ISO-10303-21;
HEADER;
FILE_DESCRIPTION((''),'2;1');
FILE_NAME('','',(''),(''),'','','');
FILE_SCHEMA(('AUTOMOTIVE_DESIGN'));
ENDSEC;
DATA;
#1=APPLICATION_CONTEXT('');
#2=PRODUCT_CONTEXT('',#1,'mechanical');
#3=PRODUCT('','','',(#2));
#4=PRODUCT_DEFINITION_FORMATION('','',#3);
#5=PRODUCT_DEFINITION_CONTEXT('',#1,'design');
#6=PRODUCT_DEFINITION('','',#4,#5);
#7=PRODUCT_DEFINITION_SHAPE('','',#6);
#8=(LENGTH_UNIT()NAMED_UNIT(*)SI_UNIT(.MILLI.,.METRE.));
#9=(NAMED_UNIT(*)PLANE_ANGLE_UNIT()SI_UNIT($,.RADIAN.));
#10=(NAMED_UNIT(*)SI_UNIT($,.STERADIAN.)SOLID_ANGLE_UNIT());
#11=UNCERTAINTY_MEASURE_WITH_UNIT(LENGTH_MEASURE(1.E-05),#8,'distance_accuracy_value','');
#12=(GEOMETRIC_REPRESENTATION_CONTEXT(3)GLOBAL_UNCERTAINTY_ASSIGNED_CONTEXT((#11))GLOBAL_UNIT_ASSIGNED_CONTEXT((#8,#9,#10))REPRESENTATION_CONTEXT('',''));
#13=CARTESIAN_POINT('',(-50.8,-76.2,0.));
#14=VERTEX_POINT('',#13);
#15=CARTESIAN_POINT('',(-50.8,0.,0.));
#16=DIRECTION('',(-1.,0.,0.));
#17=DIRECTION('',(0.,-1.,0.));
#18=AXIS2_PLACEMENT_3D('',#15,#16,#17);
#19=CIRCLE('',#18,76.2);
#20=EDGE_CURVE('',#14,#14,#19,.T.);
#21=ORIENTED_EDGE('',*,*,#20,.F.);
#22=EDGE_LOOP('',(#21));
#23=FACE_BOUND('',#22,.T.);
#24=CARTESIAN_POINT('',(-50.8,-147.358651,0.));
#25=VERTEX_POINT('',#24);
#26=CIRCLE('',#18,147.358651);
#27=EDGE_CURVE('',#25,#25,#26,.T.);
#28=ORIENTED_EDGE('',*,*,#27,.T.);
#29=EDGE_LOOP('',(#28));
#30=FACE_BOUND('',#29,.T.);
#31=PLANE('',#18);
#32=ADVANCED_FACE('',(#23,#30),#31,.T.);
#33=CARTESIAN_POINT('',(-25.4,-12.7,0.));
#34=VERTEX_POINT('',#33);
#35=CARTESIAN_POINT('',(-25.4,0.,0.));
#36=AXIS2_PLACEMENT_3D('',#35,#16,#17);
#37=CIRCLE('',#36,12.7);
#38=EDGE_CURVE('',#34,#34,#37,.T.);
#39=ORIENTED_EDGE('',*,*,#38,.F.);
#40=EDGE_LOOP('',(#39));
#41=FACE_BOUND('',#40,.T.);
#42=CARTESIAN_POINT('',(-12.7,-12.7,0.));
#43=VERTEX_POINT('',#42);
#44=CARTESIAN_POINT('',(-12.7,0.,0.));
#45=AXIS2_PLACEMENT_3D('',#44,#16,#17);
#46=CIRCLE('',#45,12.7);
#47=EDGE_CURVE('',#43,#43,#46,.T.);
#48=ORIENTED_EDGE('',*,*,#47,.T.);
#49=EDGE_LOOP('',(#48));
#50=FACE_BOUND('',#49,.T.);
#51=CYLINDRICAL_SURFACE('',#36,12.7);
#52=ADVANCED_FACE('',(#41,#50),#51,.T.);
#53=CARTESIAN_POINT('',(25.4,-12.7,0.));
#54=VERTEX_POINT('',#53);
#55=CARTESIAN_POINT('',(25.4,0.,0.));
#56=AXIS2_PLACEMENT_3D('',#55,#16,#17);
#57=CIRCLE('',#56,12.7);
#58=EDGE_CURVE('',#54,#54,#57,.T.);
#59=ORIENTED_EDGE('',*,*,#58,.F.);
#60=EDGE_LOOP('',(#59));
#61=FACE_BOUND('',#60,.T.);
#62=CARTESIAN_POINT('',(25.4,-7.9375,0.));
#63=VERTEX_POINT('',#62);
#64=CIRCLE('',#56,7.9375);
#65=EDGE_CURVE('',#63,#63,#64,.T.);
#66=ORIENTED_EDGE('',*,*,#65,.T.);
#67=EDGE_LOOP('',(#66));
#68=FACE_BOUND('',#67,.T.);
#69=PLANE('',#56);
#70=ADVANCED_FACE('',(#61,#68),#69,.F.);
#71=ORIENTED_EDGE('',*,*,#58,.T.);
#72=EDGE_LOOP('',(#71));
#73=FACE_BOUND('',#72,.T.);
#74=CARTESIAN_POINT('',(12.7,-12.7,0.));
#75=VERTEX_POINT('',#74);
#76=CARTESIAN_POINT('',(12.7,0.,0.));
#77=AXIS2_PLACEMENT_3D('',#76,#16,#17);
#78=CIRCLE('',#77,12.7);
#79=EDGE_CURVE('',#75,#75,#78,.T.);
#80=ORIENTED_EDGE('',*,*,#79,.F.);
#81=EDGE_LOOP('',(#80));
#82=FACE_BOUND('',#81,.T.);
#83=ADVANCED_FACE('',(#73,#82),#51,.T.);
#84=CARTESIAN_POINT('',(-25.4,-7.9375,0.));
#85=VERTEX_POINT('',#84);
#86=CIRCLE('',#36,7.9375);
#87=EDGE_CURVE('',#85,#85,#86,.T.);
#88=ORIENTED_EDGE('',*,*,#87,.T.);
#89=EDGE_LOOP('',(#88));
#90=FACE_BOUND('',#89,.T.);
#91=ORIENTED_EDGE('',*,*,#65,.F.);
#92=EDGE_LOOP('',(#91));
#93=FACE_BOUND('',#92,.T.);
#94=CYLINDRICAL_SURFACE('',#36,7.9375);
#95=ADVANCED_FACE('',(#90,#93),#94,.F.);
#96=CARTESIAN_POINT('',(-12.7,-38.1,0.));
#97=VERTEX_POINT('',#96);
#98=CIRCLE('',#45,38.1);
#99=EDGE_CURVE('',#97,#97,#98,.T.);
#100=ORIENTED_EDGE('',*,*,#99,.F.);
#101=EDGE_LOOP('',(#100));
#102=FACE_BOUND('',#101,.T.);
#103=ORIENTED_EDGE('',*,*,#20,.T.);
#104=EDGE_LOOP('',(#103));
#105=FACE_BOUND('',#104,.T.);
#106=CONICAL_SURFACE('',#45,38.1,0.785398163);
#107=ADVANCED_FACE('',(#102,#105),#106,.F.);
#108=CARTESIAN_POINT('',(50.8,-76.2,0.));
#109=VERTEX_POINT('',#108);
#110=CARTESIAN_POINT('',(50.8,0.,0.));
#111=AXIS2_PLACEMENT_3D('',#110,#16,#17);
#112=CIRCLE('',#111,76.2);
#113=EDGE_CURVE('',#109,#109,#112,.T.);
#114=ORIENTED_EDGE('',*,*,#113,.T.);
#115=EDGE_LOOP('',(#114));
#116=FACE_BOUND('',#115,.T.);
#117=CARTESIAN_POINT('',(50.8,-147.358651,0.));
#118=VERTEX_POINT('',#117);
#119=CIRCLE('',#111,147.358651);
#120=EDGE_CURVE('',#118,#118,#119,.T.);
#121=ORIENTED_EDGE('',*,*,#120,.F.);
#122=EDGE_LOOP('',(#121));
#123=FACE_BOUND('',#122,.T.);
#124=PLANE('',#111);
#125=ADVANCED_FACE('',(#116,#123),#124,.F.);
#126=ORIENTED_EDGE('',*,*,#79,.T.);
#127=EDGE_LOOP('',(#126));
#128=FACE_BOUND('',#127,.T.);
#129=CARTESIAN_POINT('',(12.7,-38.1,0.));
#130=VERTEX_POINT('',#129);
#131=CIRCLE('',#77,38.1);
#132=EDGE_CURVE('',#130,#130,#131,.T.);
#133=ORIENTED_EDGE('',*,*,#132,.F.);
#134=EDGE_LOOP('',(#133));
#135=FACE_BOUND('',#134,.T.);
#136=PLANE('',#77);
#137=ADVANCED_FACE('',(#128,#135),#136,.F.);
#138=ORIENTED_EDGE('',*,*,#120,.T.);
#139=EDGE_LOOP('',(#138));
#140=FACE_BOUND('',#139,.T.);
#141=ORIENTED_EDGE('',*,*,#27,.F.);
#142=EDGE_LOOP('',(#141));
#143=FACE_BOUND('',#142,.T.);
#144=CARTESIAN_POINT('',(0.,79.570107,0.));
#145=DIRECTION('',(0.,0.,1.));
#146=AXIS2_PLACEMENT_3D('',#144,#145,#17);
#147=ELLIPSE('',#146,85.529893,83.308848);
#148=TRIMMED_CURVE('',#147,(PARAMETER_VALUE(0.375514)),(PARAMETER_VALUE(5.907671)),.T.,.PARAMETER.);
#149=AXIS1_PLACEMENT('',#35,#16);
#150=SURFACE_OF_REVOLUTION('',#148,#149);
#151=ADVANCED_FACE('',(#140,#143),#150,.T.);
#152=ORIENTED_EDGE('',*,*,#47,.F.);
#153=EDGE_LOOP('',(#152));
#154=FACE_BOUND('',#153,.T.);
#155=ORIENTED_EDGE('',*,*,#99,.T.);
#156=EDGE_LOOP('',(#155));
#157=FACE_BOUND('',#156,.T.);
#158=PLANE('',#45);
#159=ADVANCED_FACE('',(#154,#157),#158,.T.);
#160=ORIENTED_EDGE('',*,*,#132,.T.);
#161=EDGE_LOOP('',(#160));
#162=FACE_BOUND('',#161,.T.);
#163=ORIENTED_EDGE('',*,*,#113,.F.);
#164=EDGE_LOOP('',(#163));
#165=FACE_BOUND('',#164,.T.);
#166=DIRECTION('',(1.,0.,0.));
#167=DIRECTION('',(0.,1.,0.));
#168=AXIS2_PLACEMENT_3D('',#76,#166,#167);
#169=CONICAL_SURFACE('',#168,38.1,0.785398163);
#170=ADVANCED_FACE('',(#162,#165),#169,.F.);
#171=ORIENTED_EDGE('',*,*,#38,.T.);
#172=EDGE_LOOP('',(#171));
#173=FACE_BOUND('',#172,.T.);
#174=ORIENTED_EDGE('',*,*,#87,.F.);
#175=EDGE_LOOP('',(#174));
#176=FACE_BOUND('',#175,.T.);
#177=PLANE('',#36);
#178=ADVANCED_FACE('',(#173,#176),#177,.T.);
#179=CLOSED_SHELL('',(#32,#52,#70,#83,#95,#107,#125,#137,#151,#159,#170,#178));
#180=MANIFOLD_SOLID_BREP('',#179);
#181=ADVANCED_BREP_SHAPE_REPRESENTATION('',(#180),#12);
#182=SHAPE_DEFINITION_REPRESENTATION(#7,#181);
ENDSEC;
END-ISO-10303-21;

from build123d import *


with BuildPart() as part:
    # Sketch7 → Revolve6 (revolve)
    with BuildSketch(Plane.XY, mode=Mode.PRIVATE) as revolve6_sk:
        with BuildLine():
            Line((50.8, 76.2), (50.8, 147.35865108))
            add(Edge.make_bspline(
                [(50.8, 147.35865108), (0, 187.484544424), (-50.8, 147.35865108)],
                knots=[2.485810722, 2.485810722, 2.485810722, 3.797374586, 3.797374586, 3.797374586], degree=2, weights=[1, 0.792571365, 1]))
            Line((-50.8, 147.35865108), (-50.8, 76.2))
            Line((-50.8, 76.2), (-12.7, 38.1))
            Line((-12.7, 38.1), (-12.7, 12.7))
            Line((-12.7, 12.7), (-25.4, 12.7))
            Line((-25.4, 12.7), (-25.4, 7.9375))
            Line((-25.4, 7.9375), (25.4, 7.9375))
            Line((25.4, 7.9375), (25.4, 12.7))
            Line((25.4, 12.7), (12.7, 12.7))
            Line((12.7, 12.7), (12.7, 38.1))
            Line((12.7, 38.1), (50.8, 76.2))
        make_face()
    revolve(revolve6_sk.sketch.rotate(Axis((-25.4, 0, 0), (1, 0, 0)), 180), axis=Axis((-25.4, 0, 0), (1, 0, 0)))


solid = part.part
